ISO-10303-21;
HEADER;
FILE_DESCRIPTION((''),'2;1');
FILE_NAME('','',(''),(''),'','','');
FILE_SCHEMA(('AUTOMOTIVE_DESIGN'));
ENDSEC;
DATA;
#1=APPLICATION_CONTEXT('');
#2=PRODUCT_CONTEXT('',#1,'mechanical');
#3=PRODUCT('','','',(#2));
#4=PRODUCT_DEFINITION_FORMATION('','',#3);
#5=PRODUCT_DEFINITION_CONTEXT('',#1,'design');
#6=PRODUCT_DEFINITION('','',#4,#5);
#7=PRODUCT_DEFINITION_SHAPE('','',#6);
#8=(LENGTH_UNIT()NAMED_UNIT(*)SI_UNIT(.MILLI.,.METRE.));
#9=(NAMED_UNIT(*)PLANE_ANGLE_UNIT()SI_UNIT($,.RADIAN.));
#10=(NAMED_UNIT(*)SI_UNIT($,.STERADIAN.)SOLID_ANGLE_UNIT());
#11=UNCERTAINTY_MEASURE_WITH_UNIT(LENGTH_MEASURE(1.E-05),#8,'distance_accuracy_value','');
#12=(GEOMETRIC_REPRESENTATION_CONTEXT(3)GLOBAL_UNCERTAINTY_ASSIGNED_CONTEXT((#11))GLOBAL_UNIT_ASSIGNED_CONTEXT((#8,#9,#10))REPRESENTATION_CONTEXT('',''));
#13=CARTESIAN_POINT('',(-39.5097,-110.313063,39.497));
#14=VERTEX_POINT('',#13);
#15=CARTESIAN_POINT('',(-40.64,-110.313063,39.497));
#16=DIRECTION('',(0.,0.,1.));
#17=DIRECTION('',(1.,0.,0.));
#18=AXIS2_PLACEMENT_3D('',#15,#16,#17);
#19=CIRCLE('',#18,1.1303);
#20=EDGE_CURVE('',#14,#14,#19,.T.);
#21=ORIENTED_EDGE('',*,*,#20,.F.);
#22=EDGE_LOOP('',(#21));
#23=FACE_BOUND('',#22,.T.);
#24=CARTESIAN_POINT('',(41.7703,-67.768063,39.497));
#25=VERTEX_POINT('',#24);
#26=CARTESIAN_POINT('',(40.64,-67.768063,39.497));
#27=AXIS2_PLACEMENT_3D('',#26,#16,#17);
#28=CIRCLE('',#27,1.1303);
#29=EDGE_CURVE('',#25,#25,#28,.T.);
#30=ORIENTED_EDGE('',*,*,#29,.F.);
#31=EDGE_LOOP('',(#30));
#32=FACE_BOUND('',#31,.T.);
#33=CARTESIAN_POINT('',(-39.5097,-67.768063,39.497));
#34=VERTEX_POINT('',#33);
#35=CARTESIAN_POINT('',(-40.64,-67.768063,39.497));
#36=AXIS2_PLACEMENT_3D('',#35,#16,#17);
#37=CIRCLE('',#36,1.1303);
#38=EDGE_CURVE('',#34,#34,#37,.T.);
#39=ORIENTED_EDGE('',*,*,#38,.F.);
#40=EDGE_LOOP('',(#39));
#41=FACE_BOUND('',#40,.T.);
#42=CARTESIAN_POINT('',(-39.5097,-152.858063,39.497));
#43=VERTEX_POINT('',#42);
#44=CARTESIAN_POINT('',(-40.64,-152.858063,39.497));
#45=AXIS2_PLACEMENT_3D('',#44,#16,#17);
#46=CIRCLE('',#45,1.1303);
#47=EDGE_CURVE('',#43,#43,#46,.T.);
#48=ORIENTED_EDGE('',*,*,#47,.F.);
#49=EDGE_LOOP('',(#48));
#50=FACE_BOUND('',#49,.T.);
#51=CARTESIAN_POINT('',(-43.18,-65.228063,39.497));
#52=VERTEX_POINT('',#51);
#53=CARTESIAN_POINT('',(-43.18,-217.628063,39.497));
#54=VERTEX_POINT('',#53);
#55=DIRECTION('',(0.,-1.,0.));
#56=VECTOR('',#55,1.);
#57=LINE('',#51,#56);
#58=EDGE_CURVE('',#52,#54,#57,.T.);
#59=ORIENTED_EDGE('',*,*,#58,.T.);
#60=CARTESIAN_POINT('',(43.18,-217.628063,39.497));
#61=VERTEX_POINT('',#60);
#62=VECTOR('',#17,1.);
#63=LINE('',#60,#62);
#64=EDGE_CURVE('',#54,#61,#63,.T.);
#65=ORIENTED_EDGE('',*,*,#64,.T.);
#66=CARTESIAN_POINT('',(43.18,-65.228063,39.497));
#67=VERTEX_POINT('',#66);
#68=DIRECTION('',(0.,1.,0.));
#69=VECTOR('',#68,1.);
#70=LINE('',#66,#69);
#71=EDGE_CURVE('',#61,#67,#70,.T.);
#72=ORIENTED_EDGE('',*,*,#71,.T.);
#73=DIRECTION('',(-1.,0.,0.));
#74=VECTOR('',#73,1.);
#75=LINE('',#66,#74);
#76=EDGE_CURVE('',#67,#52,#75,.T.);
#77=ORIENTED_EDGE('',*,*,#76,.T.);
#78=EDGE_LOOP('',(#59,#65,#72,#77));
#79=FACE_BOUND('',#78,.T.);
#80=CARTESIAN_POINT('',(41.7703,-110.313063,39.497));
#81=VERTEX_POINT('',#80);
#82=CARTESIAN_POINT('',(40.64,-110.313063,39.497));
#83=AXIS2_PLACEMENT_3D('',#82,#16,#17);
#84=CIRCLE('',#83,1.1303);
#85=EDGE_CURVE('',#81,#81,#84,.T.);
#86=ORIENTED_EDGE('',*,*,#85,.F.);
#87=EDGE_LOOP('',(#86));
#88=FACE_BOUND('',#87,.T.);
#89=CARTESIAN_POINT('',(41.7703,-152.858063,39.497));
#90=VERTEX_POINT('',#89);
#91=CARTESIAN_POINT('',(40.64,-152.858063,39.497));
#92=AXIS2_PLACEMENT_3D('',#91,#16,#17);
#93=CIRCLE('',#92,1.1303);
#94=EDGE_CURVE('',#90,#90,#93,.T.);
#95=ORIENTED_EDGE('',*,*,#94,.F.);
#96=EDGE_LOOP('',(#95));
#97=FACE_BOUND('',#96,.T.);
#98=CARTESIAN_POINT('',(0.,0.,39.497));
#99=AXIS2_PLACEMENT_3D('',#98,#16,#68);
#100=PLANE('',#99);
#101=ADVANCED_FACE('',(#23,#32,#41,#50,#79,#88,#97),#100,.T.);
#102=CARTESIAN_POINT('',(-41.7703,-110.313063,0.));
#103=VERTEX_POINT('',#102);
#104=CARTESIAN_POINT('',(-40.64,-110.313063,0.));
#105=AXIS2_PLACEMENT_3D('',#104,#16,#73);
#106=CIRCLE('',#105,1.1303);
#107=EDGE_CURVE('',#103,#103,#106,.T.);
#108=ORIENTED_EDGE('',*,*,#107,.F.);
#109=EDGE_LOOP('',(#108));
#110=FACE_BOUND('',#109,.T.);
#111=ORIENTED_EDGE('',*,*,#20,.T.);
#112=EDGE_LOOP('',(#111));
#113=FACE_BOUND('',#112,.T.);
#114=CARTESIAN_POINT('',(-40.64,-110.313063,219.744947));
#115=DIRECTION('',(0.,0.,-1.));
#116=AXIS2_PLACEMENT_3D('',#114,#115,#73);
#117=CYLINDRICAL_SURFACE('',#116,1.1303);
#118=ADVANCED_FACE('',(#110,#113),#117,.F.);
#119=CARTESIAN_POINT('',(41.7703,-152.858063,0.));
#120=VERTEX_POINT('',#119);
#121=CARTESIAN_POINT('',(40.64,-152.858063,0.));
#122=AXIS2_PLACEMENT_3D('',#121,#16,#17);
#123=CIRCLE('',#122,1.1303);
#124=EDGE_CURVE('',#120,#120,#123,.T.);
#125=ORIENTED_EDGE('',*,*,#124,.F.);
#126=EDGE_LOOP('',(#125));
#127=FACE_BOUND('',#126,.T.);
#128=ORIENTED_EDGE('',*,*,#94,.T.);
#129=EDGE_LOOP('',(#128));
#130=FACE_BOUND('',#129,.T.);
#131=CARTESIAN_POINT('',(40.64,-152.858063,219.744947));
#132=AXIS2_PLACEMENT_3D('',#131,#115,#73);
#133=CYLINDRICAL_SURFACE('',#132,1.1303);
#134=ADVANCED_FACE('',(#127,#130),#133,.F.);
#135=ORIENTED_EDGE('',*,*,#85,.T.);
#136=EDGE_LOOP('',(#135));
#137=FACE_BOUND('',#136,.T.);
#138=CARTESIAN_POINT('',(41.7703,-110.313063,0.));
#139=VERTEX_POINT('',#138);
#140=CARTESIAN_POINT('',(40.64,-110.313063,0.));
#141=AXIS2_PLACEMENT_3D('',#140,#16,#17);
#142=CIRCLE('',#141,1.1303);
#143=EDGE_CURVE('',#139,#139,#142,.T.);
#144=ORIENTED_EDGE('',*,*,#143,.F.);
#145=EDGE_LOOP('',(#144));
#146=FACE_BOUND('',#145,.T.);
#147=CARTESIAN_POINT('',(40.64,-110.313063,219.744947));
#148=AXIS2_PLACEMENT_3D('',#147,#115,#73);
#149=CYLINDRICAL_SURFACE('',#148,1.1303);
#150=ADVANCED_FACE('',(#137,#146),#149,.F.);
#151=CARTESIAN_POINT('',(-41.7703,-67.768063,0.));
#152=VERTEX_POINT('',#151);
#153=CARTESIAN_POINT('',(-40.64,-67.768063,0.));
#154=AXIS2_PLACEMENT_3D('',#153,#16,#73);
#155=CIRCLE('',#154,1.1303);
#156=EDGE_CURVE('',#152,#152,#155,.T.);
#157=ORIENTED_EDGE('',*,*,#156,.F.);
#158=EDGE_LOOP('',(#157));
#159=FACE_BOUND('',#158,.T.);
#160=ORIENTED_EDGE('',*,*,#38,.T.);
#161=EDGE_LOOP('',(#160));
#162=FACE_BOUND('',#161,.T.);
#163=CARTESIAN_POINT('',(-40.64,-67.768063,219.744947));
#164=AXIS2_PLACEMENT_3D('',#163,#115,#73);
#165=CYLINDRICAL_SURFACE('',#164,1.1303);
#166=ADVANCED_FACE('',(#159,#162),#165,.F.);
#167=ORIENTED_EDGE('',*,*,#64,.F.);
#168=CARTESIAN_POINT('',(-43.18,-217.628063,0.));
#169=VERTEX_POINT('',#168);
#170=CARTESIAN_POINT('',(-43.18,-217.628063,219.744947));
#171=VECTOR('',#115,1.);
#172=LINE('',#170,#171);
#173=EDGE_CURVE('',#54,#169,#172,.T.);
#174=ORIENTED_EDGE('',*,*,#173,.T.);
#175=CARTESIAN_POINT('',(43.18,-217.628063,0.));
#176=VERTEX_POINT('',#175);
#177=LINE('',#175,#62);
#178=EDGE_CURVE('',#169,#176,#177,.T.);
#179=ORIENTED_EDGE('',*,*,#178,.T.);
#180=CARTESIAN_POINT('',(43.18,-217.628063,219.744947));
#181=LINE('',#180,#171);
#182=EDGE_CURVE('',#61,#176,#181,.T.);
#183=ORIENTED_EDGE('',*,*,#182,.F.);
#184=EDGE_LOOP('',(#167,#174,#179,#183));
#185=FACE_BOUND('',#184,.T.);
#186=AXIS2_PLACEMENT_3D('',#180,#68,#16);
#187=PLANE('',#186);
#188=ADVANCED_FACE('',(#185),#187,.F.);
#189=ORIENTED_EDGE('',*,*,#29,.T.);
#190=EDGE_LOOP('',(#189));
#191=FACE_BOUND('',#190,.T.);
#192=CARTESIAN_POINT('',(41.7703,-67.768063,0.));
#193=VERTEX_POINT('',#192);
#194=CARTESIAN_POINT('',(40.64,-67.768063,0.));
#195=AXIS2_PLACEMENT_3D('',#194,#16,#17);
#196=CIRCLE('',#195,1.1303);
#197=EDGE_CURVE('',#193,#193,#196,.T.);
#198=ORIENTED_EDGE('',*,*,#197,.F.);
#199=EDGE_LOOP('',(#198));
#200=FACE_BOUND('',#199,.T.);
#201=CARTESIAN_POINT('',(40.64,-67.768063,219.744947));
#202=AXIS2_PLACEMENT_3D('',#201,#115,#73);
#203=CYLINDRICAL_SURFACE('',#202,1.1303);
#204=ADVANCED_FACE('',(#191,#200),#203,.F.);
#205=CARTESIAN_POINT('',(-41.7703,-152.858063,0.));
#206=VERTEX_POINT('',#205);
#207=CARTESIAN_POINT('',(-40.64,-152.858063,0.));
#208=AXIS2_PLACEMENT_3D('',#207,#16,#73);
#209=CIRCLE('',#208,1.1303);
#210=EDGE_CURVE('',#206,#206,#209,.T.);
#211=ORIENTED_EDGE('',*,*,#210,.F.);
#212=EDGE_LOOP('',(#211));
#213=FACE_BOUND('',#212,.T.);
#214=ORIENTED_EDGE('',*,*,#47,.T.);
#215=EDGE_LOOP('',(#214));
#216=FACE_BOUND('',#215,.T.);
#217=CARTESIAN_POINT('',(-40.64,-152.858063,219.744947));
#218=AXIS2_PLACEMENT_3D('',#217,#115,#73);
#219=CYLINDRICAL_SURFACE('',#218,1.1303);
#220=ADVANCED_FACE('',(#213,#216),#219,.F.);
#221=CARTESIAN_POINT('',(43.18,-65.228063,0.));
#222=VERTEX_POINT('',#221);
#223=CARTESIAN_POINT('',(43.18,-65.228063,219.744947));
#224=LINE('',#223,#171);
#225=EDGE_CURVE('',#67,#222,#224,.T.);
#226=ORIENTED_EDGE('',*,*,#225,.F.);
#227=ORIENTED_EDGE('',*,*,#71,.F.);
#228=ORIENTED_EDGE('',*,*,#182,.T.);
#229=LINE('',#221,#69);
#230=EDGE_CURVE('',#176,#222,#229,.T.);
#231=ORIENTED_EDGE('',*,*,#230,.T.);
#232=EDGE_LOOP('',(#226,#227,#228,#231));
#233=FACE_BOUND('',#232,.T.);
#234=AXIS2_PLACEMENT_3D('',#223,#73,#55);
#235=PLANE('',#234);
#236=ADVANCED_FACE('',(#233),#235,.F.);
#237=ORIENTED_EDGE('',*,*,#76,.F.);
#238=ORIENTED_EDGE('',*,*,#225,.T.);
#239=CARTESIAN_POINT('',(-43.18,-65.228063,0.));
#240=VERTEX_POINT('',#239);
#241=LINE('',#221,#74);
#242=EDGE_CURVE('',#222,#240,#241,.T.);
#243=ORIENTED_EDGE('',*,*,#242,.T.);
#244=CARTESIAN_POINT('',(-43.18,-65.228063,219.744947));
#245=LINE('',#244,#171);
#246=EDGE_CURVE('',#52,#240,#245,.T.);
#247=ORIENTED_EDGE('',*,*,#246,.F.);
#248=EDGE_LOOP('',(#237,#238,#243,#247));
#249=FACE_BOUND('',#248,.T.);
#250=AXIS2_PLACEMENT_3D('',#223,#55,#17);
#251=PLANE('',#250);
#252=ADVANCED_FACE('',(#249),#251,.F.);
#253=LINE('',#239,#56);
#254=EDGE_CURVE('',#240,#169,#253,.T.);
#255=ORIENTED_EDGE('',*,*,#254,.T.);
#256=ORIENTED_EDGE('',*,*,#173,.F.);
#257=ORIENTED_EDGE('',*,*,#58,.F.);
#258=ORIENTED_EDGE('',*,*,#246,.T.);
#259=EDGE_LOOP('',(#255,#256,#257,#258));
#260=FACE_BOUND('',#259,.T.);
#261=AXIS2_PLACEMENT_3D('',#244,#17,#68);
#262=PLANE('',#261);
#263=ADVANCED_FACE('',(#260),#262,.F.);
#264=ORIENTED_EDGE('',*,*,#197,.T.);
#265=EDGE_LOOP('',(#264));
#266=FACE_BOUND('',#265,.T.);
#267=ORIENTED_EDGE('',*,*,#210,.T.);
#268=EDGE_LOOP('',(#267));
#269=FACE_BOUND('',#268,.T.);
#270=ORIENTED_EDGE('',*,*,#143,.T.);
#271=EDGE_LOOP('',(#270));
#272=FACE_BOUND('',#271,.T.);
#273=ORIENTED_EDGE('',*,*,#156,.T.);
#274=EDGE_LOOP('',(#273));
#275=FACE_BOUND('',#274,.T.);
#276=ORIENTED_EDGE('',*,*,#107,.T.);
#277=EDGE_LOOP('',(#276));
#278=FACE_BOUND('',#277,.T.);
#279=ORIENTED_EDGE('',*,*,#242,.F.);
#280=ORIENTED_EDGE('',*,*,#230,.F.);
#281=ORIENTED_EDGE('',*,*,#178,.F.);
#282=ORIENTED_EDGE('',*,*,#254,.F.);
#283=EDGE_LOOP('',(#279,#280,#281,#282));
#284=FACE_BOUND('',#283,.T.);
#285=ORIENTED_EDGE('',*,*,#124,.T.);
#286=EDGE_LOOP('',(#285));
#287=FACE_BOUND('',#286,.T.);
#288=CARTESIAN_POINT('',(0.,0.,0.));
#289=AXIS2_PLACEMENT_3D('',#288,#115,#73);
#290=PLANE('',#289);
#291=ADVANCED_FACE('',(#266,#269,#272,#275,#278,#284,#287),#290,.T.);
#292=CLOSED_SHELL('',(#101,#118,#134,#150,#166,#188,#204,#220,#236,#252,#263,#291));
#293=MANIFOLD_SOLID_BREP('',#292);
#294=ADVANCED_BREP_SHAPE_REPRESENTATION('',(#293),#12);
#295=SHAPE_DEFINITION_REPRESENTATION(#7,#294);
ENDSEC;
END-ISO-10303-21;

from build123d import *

# Parameters (mm, degrees)
SKETCH1_W           = 86.36
SKETCH1_H           = 152.4
SKETCH1_R           = 1.1303
BOSS_EXTRUDE1_DEPTH = 39.497


with BuildPart() as part:
    # Sketch1 → Boss-Extrude1 (new body)
    with BuildSketch(Plane.XY):
        with Locations((0, -141.428063314)):
            Rectangle(SKETCH1_W, SKETCH1_H)
        with Locations((40.64, -67.768063314)):
            Circle(SKETCH1_R, mode=Mode.SUBTRACT)
        with Locations((40.64, -110.313063314)):
            Circle(SKETCH1_R, mode=Mode.SUBTRACT)
        with Locations((40.64, -152.858063314)):
            Circle(SKETCH1_R, mode=Mode.SUBTRACT)
        with Locations((-40.64, -152.858063314)):
            Circle(SKETCH1_R, mode=Mode.SUBTRACT)
        with Locations((-40.64, -110.313063314)):
            Circle(SKETCH1_R, mode=Mode.SUBTRACT)
        with Locations((-40.64, -67.768063314)):
            Circle(SKETCH1_R, mode=Mode.SUBTRACT)
    extrude(amount=BOSS_EXTRUDE1_DEPTH)


solid = part.part
